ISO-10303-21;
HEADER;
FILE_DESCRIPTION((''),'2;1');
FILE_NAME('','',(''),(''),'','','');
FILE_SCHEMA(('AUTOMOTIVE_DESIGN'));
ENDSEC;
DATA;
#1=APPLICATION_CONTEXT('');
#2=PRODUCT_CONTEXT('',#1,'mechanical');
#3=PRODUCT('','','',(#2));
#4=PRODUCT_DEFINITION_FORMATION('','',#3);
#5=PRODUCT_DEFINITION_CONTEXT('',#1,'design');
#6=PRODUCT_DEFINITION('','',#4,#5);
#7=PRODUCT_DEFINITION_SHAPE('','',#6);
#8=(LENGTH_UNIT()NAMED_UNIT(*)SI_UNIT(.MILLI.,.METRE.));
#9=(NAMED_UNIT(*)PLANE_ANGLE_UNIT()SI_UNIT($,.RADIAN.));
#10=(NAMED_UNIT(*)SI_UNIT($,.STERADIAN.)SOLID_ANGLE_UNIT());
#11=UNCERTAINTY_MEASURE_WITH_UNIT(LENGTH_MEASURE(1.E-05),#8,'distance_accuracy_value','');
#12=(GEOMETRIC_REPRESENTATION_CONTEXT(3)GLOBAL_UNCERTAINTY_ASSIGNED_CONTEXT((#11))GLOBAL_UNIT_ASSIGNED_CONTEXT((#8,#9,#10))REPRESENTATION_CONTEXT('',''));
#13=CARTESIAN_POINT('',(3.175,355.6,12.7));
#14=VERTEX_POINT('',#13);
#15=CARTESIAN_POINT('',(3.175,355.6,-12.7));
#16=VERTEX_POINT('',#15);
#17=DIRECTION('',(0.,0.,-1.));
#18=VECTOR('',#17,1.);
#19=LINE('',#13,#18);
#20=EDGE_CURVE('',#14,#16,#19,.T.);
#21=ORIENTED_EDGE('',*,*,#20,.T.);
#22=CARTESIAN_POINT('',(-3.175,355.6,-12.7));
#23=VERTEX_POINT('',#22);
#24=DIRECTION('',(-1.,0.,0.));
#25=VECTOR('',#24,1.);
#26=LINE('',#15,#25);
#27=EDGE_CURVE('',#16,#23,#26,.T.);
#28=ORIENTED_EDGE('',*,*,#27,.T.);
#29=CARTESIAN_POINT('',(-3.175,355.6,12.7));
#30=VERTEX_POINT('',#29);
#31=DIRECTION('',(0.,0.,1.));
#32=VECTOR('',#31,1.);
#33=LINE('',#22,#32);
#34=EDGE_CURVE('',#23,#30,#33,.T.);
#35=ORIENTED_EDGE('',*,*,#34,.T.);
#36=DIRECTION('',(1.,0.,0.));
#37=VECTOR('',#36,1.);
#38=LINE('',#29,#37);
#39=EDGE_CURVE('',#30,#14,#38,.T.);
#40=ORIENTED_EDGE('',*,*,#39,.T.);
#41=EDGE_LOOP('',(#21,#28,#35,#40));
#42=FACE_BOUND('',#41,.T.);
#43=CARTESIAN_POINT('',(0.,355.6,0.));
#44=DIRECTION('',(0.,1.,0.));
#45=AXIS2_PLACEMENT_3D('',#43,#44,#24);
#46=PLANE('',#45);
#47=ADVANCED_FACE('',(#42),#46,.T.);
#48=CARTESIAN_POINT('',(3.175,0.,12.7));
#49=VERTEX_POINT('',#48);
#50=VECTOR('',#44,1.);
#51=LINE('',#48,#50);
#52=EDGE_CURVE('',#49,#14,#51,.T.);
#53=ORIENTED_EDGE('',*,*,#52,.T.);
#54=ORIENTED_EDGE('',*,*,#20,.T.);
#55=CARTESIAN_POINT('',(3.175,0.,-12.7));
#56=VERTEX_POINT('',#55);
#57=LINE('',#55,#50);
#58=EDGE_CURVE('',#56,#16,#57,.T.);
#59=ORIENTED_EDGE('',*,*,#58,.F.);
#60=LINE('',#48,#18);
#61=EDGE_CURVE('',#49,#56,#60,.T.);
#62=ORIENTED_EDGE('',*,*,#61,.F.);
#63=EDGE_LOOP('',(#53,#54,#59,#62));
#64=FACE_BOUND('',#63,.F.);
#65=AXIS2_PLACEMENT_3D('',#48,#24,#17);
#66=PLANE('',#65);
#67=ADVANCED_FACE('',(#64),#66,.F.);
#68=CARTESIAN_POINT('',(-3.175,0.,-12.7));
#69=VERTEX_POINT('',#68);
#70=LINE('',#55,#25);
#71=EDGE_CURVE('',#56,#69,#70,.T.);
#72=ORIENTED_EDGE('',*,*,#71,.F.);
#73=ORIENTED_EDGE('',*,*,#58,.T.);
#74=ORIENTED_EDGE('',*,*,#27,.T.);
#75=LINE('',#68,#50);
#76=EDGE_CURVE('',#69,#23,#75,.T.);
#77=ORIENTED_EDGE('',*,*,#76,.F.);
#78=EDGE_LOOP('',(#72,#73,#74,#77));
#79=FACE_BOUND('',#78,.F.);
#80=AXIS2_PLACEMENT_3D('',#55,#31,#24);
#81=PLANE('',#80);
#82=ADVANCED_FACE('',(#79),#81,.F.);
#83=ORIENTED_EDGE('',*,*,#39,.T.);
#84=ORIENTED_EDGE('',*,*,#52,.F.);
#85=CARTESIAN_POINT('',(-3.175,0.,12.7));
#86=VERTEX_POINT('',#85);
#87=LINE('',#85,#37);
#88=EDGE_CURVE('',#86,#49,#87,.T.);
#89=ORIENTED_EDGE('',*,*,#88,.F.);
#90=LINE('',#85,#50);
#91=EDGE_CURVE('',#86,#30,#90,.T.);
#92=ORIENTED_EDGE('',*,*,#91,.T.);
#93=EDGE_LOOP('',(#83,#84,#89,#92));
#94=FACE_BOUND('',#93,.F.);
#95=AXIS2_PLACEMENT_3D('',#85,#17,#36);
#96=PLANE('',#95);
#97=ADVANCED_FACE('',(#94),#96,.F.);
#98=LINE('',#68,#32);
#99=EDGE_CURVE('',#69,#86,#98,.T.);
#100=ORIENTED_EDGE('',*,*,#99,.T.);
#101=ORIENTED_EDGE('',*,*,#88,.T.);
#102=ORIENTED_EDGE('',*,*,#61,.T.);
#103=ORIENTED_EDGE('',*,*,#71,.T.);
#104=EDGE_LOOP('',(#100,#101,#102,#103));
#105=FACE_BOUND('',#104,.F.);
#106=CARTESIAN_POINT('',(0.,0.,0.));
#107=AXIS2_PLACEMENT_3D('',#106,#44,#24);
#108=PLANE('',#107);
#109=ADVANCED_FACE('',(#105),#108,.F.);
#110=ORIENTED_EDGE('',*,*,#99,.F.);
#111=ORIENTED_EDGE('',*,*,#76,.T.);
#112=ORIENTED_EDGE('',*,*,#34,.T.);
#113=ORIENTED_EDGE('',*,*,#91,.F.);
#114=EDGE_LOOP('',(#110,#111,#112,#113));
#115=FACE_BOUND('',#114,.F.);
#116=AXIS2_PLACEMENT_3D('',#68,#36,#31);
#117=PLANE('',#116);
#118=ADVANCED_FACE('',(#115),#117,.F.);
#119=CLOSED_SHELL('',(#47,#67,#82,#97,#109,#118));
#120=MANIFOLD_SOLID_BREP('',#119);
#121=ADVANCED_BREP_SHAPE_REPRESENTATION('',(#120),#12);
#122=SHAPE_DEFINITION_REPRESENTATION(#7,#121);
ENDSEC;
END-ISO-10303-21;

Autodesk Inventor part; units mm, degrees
ref_plane "YZ Plane" through (0, 0, 0) normal (1, 0, 0) x (0, 1, 0)
ref_plane "XZ Plane" through (0, 0, 0) normal (0, 1, 0) x (-1, 0, 0)
ref_plane "XY Plane" through (0, 0, 0) normal (0, 0, 1) x (1, 0, 0)
sketch "Sketch1" plane through (0, 0, 0) normal (0, 1, 0) x (-1, 0, 0)
  line L0 (-3.175, -12.7) -> (3.175, -12.7)
  line L1 (3.175, -12.7) -> (3.175, 12.7)
  line L2 (3.175, 12.7) -> (-3.175, 12.7)
  line L3 (-3.175, 12.7) -> (-3.175, -12.7)
  line L4 (-3.175, -12.7) -> (3.175, 12.7) construction
  line L5 (3.175, -12.7) -> (-3.175, 12.7) construction
  point P0 (0, 0)
  dimension "d0" = 6.35
  dimension "d1" = 25.4
extrude "Extrusion1" add sketch "Sketch1" along normal blind 355.6
properties part number "14in-slide-pt_3" material "Aluminum 6061"
